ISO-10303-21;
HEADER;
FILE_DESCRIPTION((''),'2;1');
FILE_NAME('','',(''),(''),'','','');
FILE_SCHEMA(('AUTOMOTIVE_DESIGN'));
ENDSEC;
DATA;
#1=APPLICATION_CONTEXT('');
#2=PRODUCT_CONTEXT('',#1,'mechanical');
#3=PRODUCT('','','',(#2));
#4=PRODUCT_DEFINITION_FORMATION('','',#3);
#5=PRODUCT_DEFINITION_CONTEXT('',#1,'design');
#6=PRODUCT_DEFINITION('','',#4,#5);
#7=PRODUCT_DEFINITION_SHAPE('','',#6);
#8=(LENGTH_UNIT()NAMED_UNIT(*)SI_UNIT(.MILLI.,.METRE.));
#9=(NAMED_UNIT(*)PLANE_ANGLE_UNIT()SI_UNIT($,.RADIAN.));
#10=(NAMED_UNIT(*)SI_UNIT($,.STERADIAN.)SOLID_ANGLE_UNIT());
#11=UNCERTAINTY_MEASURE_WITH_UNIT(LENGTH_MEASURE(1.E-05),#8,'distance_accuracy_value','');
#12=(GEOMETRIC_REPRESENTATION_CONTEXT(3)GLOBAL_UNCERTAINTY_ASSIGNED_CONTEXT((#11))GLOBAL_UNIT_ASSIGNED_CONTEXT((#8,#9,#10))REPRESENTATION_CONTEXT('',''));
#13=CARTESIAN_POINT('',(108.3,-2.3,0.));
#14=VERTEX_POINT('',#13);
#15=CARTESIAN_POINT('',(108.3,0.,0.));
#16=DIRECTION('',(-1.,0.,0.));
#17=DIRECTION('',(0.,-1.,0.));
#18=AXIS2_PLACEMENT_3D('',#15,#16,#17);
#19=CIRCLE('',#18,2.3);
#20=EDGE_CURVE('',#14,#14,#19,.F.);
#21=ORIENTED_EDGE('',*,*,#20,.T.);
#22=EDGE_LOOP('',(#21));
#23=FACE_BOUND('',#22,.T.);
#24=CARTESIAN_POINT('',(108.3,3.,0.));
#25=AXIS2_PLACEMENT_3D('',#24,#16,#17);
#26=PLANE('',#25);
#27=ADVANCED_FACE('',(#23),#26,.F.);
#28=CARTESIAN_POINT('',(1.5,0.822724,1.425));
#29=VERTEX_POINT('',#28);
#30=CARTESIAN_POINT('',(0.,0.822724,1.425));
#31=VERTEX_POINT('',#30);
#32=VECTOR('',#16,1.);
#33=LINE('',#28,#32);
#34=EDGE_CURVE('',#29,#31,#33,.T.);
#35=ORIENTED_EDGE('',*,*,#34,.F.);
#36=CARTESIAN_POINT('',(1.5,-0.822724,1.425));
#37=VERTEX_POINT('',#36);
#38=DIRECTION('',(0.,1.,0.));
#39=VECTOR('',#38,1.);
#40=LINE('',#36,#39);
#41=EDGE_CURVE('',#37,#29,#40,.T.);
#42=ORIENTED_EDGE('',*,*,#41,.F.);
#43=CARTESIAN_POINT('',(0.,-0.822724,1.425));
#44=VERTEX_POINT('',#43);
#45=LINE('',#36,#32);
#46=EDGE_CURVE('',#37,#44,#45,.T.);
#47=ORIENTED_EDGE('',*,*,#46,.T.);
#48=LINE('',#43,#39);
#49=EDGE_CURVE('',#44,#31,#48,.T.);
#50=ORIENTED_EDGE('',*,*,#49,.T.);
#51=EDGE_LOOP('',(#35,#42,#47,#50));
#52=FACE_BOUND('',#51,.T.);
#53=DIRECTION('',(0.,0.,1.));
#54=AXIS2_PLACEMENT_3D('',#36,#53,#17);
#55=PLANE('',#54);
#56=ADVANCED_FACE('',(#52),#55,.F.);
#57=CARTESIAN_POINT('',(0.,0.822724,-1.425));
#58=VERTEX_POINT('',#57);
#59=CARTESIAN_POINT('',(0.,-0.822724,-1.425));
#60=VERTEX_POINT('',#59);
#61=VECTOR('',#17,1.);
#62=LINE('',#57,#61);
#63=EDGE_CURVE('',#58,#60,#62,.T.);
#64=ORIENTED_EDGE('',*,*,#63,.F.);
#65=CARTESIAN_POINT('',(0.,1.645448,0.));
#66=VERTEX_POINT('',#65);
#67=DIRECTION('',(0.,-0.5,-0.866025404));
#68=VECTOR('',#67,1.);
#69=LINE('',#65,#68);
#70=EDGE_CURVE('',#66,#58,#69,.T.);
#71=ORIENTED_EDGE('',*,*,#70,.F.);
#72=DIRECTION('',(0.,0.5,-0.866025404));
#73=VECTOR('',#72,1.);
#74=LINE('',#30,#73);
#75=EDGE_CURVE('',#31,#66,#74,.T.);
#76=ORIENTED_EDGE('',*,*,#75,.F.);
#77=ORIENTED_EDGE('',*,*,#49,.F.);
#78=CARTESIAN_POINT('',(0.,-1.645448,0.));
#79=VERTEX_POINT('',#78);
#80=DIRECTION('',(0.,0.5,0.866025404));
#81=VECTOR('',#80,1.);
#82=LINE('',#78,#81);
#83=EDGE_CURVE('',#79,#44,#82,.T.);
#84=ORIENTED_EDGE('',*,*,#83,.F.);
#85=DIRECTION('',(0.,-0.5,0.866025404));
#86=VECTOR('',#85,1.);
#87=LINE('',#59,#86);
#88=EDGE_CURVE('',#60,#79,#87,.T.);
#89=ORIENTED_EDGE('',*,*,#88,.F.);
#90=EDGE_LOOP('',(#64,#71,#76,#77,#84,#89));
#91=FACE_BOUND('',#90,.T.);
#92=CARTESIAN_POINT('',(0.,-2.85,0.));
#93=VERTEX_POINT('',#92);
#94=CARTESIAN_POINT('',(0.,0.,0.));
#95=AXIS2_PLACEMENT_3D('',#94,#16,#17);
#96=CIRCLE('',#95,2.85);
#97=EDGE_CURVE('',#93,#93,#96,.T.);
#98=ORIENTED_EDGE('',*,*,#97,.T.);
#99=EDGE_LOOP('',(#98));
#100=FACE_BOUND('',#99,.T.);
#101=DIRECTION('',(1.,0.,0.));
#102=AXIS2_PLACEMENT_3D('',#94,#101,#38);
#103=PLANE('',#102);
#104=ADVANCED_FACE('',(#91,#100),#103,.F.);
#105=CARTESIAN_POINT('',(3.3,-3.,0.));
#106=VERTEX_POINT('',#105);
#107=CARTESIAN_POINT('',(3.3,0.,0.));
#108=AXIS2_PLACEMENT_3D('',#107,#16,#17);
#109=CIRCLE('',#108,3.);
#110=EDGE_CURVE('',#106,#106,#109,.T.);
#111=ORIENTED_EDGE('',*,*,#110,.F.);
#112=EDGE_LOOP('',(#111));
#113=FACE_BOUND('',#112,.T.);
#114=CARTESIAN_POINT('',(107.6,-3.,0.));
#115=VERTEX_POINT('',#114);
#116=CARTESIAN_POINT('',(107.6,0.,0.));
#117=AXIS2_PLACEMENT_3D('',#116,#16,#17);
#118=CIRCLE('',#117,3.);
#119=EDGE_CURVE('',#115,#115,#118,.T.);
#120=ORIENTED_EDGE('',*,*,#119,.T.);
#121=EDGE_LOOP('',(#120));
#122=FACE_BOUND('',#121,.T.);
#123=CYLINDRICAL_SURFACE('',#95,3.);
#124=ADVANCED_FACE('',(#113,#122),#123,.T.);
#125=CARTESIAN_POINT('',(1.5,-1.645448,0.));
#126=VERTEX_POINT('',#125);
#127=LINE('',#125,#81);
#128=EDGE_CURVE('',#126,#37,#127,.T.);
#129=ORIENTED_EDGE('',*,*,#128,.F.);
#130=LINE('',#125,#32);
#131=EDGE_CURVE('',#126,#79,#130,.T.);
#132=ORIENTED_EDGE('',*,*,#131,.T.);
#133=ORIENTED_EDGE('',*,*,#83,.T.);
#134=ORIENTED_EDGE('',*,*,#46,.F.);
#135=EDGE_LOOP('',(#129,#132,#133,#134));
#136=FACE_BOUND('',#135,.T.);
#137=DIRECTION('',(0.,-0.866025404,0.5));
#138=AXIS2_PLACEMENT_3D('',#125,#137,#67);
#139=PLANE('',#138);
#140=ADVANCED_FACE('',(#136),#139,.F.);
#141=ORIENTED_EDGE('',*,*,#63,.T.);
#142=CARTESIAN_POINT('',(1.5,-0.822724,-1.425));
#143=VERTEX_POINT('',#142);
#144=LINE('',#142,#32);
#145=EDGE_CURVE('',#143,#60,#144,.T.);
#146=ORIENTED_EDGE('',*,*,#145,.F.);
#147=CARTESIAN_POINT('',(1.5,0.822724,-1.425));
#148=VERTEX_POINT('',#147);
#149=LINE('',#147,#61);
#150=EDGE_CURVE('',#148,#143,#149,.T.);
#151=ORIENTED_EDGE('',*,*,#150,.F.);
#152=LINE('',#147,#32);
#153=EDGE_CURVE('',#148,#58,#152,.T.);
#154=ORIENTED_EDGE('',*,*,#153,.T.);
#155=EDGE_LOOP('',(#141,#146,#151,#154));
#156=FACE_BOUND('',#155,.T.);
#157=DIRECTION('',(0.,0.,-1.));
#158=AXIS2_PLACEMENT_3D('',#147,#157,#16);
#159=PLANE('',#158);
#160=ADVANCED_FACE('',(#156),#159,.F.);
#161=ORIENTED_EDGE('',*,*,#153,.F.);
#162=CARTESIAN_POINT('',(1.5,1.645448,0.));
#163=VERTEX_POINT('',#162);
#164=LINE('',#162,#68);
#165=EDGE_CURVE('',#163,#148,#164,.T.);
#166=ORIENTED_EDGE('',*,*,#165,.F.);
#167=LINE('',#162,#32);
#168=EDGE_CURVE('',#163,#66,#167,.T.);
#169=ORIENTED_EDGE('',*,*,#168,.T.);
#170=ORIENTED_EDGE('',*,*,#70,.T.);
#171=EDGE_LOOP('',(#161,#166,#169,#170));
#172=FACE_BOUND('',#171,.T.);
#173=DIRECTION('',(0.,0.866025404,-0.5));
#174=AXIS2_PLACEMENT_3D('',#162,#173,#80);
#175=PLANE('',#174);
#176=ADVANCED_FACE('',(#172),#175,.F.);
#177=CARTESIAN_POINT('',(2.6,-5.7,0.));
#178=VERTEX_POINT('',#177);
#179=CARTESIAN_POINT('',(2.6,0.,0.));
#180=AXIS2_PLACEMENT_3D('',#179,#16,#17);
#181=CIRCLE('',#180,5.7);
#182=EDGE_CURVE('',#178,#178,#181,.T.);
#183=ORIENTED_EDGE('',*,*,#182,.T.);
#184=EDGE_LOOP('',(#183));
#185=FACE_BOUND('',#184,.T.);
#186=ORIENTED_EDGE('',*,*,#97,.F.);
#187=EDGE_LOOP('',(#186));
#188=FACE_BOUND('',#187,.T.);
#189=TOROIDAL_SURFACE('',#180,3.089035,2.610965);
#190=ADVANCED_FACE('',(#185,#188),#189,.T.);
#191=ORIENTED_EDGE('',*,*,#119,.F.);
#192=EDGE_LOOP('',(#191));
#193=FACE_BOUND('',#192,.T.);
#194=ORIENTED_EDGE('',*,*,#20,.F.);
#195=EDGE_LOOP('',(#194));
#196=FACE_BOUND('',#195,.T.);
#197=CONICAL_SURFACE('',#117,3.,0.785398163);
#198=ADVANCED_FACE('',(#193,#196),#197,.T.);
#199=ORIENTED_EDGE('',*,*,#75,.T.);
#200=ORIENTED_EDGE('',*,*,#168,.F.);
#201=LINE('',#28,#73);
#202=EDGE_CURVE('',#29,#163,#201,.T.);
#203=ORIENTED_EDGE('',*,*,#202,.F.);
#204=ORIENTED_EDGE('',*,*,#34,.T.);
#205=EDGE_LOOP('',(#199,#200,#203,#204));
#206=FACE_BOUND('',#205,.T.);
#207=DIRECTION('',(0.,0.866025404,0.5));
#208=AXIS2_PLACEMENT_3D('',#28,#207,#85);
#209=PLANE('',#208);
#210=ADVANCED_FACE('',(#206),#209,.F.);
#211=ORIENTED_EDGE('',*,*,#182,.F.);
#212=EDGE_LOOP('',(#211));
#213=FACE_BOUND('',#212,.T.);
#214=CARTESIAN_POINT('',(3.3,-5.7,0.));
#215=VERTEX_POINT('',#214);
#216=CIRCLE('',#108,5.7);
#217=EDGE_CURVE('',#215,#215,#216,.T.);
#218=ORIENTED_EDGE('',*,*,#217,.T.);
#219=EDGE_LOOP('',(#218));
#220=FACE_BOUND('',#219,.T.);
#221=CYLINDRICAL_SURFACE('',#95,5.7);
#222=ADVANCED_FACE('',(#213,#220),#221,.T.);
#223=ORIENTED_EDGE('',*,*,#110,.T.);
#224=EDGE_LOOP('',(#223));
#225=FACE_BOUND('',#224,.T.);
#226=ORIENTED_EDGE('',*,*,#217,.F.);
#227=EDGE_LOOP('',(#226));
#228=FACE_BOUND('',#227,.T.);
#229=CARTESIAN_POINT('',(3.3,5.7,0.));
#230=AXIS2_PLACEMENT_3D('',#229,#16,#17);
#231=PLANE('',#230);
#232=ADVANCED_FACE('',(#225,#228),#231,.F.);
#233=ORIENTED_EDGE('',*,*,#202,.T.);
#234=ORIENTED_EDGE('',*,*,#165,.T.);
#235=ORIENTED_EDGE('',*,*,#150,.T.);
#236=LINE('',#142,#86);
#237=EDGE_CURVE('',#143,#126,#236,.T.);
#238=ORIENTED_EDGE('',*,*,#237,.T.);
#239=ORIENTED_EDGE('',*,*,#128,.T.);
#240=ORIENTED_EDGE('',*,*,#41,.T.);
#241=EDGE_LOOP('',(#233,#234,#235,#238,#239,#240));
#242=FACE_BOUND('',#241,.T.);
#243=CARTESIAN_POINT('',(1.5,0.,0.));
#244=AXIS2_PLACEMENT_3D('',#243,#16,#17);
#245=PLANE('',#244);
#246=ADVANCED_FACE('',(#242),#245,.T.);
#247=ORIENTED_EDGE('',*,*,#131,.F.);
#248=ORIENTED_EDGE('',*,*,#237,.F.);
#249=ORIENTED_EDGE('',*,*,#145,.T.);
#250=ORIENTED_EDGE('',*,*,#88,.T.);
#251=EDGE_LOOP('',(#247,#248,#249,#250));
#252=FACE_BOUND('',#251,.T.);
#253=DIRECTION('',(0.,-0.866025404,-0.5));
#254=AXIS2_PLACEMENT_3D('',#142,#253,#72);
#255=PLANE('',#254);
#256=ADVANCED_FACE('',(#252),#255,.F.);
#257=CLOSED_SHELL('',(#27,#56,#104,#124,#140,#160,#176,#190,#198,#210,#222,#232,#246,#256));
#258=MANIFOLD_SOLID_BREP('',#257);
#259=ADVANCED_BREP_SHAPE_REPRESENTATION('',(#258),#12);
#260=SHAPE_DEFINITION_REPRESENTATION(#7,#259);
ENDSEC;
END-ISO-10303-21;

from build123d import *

# Parameters (mm, degrees)
PAH1_SIZE             = 0.7
KES_EKSTR_ZYON1_DEPTH = 1.5


with BuildPart() as part:
    # Çizim1 → Döndür1 (revolve)
    with BuildSketch(Plane.XY, mode=Mode.PRIVATE) as d_nd_r1_sk:
        with BuildLine():
            Line((0, 0), (108.3, 0))
            Line((108.3, 0), (108.3, 3))
            Line((108.3, 3), (3.3, 3))
            Line((3.3, 3), (3.3, 5.7))
            Line((3.3, 5.7), (2.6, 5.7))
            ThreePointArc((2.6, 5.7), (0.671107831, 4.848726189), (0, 2.85))
            Line((0, 2.85), (0, 0))
        make_face()
    revolve(d_nd_r1_sk.sketch.rotate(Axis((0, 0, 0), (1, 0, 0)), 180), axis=Axis((0, 0, 0), (1, 0, 0)))

    # Pah1
    pah1_edges = [part.edges().sort_by_distance(p)[0] for p in [
        (108.3, 3, 0),
    ]]
    chamfer(pah1_edges, length=PAH1_SIZE)

    # Çizim2 → Kes-Ekstrüzyon1 (cut)
    with BuildSketch(Plane.ZY):
        Polygon((0, 1.645448267), (-1.425, 0.822724134), (-1.425, -0.822724134), (0, -1.645448267), (1.425, -0.822724134), (1.425, 0.822724134), align=None)
    extrude(amount=-KES_EKSTR_ZYON1_DEPTH, mode=Mode.SUBTRACT)


solid = part.part
